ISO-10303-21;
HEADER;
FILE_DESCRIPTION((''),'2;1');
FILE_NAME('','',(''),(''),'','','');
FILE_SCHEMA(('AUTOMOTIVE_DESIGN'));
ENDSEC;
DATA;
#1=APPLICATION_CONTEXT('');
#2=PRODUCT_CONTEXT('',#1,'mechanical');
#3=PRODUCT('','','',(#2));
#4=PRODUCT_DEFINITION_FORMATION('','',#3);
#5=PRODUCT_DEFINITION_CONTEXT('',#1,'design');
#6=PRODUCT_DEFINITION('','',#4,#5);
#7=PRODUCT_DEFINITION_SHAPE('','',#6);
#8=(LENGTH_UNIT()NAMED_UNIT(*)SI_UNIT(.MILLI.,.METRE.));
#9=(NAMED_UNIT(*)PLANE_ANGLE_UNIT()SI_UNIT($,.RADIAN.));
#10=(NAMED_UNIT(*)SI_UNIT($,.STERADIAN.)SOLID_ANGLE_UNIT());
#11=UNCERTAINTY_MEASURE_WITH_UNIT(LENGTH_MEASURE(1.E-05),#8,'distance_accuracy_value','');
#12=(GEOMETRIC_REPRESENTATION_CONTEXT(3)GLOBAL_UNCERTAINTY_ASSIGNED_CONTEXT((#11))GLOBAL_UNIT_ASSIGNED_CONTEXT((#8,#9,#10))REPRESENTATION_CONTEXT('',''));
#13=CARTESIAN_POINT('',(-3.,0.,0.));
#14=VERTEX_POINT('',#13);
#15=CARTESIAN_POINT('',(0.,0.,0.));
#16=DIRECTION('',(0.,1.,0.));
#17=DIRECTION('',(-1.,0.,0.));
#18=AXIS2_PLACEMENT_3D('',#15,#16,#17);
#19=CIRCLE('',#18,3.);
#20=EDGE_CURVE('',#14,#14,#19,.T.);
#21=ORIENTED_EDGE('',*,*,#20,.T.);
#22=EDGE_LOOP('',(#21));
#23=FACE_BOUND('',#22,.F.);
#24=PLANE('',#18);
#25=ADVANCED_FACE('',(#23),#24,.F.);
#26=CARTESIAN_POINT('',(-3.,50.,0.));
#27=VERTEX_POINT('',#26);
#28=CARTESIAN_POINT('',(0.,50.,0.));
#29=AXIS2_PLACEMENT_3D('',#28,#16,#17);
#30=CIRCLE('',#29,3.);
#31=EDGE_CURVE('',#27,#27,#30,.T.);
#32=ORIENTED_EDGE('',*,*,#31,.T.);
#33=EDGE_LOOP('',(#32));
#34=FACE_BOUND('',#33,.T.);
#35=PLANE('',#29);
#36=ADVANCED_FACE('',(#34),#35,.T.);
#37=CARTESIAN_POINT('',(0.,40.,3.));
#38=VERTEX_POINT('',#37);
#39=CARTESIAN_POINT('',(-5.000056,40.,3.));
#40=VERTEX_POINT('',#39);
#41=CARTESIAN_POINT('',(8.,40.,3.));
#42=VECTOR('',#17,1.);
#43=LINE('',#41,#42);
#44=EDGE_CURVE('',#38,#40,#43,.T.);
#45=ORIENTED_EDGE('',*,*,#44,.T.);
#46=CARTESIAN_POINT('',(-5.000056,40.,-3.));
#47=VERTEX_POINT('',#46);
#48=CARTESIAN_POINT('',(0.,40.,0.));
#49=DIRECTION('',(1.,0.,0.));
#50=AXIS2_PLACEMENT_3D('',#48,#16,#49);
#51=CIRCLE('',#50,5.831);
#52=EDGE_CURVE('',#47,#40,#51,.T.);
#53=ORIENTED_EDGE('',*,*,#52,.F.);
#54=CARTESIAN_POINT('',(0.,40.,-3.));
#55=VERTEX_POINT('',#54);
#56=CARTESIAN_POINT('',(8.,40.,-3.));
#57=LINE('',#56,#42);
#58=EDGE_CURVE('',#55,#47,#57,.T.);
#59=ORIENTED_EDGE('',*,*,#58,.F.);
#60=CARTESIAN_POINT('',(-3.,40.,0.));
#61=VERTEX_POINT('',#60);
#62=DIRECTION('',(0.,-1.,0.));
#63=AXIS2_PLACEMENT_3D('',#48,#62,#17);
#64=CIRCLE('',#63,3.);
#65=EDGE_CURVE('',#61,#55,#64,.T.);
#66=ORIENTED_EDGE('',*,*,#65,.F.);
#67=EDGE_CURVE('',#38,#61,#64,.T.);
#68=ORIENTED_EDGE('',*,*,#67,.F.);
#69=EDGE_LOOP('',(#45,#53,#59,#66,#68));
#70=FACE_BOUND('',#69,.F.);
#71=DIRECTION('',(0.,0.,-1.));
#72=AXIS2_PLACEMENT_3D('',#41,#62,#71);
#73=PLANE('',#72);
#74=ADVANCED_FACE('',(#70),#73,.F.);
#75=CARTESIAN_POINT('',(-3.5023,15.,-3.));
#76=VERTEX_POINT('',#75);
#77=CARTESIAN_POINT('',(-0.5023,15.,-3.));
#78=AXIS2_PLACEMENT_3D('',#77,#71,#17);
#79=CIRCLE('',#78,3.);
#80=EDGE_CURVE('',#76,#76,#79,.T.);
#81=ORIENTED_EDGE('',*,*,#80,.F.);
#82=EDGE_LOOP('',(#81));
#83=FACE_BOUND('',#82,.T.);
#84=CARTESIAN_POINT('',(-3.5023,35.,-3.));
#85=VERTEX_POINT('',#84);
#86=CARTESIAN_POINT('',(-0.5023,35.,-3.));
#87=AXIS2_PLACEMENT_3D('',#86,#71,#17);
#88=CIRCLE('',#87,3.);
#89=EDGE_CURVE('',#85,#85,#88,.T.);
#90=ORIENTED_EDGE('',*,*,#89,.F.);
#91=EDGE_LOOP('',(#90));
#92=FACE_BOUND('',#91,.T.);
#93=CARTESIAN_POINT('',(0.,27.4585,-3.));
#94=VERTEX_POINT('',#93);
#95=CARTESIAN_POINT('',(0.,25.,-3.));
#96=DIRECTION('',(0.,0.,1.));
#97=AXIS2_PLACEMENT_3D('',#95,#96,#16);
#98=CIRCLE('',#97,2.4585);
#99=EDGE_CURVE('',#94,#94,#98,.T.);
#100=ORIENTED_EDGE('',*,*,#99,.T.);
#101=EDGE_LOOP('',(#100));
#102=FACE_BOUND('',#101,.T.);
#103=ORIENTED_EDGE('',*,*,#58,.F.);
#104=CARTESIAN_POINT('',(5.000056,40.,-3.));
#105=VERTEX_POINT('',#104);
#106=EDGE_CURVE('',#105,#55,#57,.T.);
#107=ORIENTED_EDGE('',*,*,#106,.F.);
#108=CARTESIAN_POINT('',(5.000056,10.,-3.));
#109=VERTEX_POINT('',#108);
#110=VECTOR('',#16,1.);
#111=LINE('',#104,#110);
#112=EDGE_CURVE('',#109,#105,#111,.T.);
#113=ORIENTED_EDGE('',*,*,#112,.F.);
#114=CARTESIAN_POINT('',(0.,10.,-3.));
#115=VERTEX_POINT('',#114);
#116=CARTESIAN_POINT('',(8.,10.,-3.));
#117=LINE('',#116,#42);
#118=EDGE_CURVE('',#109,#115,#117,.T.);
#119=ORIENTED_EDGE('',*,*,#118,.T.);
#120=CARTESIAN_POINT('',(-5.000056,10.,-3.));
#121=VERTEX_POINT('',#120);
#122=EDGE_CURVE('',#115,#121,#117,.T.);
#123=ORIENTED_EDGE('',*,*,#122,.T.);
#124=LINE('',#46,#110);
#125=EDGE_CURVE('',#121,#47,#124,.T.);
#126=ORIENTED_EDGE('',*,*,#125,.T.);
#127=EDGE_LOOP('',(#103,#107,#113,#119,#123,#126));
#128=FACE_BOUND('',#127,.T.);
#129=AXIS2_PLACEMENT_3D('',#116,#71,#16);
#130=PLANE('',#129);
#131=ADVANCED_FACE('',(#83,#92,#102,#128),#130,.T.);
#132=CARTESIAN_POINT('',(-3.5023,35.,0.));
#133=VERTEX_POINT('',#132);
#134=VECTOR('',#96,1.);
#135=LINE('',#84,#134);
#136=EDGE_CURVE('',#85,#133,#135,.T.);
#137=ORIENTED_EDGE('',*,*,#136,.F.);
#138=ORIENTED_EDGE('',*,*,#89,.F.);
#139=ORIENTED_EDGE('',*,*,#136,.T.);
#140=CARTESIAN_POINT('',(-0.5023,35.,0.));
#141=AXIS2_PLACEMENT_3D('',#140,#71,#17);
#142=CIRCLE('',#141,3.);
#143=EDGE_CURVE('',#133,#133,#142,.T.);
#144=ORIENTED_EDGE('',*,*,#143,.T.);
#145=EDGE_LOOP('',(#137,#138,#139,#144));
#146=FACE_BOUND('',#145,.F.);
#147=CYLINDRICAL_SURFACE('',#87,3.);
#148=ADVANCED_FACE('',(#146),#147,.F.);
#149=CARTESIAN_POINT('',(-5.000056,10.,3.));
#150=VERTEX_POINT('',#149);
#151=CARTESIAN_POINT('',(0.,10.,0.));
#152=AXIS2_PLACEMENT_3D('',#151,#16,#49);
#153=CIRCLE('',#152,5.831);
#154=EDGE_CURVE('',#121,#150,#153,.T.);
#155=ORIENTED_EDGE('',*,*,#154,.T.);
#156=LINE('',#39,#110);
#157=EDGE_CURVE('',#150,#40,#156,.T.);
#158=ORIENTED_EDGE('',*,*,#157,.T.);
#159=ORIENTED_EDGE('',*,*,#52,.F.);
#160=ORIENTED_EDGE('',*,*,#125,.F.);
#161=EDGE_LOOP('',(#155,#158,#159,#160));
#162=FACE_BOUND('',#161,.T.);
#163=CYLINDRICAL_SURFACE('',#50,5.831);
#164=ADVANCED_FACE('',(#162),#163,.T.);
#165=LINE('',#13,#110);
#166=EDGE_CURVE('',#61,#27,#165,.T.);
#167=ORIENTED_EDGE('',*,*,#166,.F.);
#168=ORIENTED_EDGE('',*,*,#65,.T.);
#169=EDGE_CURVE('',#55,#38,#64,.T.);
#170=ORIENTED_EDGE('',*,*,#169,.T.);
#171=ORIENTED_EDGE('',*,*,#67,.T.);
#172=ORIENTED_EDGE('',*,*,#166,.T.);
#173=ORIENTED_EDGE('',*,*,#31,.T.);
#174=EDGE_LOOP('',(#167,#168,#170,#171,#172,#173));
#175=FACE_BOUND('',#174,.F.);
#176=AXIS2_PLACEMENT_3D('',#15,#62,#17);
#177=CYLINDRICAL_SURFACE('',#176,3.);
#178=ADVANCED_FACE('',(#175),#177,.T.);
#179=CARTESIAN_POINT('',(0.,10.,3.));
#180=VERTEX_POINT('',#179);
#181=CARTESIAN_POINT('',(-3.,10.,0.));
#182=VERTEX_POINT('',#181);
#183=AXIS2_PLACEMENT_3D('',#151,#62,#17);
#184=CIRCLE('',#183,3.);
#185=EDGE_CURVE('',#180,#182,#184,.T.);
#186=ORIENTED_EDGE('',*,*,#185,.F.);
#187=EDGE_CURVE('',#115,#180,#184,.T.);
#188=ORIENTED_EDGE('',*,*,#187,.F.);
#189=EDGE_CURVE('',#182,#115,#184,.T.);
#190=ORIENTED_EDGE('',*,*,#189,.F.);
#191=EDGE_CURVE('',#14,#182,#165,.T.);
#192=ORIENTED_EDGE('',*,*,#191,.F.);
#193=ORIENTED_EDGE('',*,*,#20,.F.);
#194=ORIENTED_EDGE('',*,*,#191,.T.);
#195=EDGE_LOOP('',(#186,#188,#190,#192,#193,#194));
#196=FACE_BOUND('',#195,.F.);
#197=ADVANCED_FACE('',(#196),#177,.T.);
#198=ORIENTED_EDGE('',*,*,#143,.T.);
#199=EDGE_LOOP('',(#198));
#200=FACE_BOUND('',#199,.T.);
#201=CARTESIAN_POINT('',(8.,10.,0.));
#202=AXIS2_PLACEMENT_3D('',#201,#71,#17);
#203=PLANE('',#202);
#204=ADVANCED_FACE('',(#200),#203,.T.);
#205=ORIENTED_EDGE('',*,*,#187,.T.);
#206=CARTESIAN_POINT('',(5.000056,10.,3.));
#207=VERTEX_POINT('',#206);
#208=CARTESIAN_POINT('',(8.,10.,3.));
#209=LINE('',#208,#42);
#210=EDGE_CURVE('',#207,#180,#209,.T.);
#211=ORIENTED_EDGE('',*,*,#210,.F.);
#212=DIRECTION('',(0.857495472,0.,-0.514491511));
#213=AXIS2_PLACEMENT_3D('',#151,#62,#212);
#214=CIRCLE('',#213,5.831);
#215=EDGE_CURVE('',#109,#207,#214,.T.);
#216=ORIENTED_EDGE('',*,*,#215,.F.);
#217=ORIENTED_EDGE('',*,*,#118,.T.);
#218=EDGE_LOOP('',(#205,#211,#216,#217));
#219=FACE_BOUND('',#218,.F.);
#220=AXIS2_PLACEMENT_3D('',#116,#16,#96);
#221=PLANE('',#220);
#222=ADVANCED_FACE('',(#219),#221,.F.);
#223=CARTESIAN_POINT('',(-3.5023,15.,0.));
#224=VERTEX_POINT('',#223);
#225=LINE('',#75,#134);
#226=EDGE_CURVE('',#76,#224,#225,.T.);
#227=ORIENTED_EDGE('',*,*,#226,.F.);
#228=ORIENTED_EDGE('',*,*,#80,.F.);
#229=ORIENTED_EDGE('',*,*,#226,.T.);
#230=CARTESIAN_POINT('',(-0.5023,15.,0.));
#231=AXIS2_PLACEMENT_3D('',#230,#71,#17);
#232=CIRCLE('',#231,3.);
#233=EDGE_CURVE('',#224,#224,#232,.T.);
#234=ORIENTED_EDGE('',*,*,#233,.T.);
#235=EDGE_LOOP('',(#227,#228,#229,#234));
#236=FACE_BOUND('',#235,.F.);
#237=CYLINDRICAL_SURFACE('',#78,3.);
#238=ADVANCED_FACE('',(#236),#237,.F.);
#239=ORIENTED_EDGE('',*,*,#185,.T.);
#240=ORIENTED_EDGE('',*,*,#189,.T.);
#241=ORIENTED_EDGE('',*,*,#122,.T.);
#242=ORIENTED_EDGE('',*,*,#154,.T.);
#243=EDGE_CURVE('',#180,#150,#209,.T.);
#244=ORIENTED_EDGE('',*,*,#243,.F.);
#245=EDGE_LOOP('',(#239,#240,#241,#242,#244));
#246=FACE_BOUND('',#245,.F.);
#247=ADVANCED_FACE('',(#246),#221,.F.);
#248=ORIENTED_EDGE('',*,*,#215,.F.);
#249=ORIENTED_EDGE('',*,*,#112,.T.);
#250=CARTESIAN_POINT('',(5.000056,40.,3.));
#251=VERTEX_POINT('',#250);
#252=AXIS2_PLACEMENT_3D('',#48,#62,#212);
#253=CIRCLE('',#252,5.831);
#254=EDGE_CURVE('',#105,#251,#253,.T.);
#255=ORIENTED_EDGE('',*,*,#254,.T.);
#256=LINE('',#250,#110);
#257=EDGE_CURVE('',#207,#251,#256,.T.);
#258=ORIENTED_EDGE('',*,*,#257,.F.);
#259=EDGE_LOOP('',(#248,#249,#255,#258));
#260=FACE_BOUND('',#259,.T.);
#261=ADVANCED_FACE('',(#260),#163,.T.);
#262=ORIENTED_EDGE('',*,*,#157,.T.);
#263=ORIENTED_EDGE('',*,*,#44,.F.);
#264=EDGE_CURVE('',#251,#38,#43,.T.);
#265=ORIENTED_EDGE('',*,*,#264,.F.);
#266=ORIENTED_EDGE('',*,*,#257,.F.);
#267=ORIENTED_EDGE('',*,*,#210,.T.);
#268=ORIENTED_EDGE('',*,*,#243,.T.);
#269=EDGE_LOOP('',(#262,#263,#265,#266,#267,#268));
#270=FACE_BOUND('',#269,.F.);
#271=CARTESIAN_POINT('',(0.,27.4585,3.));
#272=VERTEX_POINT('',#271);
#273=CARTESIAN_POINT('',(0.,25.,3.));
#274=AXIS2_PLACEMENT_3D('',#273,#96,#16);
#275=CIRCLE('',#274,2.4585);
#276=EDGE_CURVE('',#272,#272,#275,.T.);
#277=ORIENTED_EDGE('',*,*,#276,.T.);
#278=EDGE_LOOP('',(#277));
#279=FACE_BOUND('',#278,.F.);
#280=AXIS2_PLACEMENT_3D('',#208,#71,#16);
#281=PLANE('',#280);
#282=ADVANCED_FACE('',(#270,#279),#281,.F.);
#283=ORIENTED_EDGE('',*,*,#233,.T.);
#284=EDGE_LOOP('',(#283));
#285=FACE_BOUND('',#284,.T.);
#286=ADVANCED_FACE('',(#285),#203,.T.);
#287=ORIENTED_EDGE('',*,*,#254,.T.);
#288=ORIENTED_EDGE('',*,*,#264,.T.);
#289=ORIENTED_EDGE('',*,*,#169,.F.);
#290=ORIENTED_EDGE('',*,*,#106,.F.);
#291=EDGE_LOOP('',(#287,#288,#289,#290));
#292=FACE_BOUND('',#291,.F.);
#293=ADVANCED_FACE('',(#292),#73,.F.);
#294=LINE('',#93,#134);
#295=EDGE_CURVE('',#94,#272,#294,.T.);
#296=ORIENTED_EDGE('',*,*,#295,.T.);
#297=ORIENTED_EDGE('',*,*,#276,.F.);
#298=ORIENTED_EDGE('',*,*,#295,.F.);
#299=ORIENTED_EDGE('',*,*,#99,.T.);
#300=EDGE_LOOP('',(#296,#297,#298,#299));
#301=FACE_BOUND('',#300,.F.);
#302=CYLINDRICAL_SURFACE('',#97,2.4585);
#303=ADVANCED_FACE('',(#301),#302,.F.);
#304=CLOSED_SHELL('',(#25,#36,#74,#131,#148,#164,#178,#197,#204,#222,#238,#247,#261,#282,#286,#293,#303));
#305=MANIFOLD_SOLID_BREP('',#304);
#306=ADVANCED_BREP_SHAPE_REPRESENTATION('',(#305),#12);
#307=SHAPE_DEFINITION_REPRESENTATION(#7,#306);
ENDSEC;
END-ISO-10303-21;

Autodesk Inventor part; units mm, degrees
ref_plane "XZ Plane" through (0, 0, 0) normal (0, 1, 0) x (-1, 0, 0)
ref_plane "XY Plane" through (0, 0, 0) normal (0, 0, 1) x (1, 0, 0)
sketch "Sketch1" plane through (0, 0, 0) normal (0, 1, 0) x (-1, 0, 0)
  circle A0 centre (0, 0) radius 3
  dimension "d0" = 6
extrude "Extrusion1" add sketch "Sketch1" along normal blind 50
ref_plane "Work Plane1" through (8, 0, 0) normal (1, 0, 0) x (0, 1, 0)
sketch "Sketch2" plane through (8, 0, 0) normal (1, 0, 0) x (0, 1, 0)
  line L0 (0, -3) -> (50, -3) projected
  line L1 (0, 3) -> (50, 3) projected
  line L2 (40, -3) -> (20, -3)
  line L3 (20, -3) -> (20, 3)
  line L4 (20, 3) -> (40, 3)
  line L5 (40, 3) -> (40, -3)
  line L6 (20, -3) -> (10, -3)
  line L7 (10, -3) -> (10, 3)
  line L8 (10, 3) -> (20, 3)
  line L9 (20, 3) -> (20, -3)
  line L10 (0, -3) -> (0, 3) projected
  line L11 (50, -3) -> (50, 3) projected
  point P0 (0, 0)
  point P1 (20, -3)
  point P2 (20, 3)
  point P3 (10, 3)
  point P4 (10, -3)
  point P5 (40, 3)
  point P6 (20, -3)
  dimension "d4" = 20
  dimension "d5" = 10
  dimension "d7" = 10
  dimension "d19" = 30
extrude "Extrusion2" add sketch "Sketch2" against normal blind 14 contours L7 L1 L3 L0 | L3 L1 L5 L0
sketch "Sketch6" plane through (8, 10, -3) normal (0, 0, -1) x (-1, 0, 0)
  circle A0 centre (8.5023, 25) radius 3
  circle A1 centre (8.5023, 5) radius 3
  line L0 (8, 30) -> (14, 30) projected
  line L1 (8, 0) -> (14, 0) projected
  point P0 (8, -10)
  dimension "d36" = 6
  dimension "d37" = 6
  dimension "d38" = 0
  dimension "d39" = 5
  dimension "d40" = 5
extrude "Extrusion5" cut sketch "Sketch6" against normal blind 3
sketch "Sketch7" plane through (8, 10, -3) normal (0, 0, -1) x (-1, 0, 0)
  line L0 (14, 30) -> (14, 0) projected
  line L1 (8, 30) -> (14, 30) projected
  point P0 (8, -10)
  point P1 (8, 15)
  dimension "d43" = 6
  dimension "d44" = 15
hole "Hole2" at (0, 25, -3) direction (0, 0, 1) diameter 4.917 end through all thread size "M6x1" class "6H" standard "ISO Metric profile"
sketch "Sketch9" plane through (-6, 40, -3) normal (0, 1, 0) x (1, 0, 0)
  circle A0 centre (6, -3) radius 5.831
  circle A1 centre (6, -3) radius 3 projected
  circle A2 centre (6, -3) radius 10
  dimension "d54" = 11.662
  dimension "d55" = 20
extrude "Extrusion7" cut sketch "Sketch9" against normal blind 40 contours A2
properties part number "slider"
